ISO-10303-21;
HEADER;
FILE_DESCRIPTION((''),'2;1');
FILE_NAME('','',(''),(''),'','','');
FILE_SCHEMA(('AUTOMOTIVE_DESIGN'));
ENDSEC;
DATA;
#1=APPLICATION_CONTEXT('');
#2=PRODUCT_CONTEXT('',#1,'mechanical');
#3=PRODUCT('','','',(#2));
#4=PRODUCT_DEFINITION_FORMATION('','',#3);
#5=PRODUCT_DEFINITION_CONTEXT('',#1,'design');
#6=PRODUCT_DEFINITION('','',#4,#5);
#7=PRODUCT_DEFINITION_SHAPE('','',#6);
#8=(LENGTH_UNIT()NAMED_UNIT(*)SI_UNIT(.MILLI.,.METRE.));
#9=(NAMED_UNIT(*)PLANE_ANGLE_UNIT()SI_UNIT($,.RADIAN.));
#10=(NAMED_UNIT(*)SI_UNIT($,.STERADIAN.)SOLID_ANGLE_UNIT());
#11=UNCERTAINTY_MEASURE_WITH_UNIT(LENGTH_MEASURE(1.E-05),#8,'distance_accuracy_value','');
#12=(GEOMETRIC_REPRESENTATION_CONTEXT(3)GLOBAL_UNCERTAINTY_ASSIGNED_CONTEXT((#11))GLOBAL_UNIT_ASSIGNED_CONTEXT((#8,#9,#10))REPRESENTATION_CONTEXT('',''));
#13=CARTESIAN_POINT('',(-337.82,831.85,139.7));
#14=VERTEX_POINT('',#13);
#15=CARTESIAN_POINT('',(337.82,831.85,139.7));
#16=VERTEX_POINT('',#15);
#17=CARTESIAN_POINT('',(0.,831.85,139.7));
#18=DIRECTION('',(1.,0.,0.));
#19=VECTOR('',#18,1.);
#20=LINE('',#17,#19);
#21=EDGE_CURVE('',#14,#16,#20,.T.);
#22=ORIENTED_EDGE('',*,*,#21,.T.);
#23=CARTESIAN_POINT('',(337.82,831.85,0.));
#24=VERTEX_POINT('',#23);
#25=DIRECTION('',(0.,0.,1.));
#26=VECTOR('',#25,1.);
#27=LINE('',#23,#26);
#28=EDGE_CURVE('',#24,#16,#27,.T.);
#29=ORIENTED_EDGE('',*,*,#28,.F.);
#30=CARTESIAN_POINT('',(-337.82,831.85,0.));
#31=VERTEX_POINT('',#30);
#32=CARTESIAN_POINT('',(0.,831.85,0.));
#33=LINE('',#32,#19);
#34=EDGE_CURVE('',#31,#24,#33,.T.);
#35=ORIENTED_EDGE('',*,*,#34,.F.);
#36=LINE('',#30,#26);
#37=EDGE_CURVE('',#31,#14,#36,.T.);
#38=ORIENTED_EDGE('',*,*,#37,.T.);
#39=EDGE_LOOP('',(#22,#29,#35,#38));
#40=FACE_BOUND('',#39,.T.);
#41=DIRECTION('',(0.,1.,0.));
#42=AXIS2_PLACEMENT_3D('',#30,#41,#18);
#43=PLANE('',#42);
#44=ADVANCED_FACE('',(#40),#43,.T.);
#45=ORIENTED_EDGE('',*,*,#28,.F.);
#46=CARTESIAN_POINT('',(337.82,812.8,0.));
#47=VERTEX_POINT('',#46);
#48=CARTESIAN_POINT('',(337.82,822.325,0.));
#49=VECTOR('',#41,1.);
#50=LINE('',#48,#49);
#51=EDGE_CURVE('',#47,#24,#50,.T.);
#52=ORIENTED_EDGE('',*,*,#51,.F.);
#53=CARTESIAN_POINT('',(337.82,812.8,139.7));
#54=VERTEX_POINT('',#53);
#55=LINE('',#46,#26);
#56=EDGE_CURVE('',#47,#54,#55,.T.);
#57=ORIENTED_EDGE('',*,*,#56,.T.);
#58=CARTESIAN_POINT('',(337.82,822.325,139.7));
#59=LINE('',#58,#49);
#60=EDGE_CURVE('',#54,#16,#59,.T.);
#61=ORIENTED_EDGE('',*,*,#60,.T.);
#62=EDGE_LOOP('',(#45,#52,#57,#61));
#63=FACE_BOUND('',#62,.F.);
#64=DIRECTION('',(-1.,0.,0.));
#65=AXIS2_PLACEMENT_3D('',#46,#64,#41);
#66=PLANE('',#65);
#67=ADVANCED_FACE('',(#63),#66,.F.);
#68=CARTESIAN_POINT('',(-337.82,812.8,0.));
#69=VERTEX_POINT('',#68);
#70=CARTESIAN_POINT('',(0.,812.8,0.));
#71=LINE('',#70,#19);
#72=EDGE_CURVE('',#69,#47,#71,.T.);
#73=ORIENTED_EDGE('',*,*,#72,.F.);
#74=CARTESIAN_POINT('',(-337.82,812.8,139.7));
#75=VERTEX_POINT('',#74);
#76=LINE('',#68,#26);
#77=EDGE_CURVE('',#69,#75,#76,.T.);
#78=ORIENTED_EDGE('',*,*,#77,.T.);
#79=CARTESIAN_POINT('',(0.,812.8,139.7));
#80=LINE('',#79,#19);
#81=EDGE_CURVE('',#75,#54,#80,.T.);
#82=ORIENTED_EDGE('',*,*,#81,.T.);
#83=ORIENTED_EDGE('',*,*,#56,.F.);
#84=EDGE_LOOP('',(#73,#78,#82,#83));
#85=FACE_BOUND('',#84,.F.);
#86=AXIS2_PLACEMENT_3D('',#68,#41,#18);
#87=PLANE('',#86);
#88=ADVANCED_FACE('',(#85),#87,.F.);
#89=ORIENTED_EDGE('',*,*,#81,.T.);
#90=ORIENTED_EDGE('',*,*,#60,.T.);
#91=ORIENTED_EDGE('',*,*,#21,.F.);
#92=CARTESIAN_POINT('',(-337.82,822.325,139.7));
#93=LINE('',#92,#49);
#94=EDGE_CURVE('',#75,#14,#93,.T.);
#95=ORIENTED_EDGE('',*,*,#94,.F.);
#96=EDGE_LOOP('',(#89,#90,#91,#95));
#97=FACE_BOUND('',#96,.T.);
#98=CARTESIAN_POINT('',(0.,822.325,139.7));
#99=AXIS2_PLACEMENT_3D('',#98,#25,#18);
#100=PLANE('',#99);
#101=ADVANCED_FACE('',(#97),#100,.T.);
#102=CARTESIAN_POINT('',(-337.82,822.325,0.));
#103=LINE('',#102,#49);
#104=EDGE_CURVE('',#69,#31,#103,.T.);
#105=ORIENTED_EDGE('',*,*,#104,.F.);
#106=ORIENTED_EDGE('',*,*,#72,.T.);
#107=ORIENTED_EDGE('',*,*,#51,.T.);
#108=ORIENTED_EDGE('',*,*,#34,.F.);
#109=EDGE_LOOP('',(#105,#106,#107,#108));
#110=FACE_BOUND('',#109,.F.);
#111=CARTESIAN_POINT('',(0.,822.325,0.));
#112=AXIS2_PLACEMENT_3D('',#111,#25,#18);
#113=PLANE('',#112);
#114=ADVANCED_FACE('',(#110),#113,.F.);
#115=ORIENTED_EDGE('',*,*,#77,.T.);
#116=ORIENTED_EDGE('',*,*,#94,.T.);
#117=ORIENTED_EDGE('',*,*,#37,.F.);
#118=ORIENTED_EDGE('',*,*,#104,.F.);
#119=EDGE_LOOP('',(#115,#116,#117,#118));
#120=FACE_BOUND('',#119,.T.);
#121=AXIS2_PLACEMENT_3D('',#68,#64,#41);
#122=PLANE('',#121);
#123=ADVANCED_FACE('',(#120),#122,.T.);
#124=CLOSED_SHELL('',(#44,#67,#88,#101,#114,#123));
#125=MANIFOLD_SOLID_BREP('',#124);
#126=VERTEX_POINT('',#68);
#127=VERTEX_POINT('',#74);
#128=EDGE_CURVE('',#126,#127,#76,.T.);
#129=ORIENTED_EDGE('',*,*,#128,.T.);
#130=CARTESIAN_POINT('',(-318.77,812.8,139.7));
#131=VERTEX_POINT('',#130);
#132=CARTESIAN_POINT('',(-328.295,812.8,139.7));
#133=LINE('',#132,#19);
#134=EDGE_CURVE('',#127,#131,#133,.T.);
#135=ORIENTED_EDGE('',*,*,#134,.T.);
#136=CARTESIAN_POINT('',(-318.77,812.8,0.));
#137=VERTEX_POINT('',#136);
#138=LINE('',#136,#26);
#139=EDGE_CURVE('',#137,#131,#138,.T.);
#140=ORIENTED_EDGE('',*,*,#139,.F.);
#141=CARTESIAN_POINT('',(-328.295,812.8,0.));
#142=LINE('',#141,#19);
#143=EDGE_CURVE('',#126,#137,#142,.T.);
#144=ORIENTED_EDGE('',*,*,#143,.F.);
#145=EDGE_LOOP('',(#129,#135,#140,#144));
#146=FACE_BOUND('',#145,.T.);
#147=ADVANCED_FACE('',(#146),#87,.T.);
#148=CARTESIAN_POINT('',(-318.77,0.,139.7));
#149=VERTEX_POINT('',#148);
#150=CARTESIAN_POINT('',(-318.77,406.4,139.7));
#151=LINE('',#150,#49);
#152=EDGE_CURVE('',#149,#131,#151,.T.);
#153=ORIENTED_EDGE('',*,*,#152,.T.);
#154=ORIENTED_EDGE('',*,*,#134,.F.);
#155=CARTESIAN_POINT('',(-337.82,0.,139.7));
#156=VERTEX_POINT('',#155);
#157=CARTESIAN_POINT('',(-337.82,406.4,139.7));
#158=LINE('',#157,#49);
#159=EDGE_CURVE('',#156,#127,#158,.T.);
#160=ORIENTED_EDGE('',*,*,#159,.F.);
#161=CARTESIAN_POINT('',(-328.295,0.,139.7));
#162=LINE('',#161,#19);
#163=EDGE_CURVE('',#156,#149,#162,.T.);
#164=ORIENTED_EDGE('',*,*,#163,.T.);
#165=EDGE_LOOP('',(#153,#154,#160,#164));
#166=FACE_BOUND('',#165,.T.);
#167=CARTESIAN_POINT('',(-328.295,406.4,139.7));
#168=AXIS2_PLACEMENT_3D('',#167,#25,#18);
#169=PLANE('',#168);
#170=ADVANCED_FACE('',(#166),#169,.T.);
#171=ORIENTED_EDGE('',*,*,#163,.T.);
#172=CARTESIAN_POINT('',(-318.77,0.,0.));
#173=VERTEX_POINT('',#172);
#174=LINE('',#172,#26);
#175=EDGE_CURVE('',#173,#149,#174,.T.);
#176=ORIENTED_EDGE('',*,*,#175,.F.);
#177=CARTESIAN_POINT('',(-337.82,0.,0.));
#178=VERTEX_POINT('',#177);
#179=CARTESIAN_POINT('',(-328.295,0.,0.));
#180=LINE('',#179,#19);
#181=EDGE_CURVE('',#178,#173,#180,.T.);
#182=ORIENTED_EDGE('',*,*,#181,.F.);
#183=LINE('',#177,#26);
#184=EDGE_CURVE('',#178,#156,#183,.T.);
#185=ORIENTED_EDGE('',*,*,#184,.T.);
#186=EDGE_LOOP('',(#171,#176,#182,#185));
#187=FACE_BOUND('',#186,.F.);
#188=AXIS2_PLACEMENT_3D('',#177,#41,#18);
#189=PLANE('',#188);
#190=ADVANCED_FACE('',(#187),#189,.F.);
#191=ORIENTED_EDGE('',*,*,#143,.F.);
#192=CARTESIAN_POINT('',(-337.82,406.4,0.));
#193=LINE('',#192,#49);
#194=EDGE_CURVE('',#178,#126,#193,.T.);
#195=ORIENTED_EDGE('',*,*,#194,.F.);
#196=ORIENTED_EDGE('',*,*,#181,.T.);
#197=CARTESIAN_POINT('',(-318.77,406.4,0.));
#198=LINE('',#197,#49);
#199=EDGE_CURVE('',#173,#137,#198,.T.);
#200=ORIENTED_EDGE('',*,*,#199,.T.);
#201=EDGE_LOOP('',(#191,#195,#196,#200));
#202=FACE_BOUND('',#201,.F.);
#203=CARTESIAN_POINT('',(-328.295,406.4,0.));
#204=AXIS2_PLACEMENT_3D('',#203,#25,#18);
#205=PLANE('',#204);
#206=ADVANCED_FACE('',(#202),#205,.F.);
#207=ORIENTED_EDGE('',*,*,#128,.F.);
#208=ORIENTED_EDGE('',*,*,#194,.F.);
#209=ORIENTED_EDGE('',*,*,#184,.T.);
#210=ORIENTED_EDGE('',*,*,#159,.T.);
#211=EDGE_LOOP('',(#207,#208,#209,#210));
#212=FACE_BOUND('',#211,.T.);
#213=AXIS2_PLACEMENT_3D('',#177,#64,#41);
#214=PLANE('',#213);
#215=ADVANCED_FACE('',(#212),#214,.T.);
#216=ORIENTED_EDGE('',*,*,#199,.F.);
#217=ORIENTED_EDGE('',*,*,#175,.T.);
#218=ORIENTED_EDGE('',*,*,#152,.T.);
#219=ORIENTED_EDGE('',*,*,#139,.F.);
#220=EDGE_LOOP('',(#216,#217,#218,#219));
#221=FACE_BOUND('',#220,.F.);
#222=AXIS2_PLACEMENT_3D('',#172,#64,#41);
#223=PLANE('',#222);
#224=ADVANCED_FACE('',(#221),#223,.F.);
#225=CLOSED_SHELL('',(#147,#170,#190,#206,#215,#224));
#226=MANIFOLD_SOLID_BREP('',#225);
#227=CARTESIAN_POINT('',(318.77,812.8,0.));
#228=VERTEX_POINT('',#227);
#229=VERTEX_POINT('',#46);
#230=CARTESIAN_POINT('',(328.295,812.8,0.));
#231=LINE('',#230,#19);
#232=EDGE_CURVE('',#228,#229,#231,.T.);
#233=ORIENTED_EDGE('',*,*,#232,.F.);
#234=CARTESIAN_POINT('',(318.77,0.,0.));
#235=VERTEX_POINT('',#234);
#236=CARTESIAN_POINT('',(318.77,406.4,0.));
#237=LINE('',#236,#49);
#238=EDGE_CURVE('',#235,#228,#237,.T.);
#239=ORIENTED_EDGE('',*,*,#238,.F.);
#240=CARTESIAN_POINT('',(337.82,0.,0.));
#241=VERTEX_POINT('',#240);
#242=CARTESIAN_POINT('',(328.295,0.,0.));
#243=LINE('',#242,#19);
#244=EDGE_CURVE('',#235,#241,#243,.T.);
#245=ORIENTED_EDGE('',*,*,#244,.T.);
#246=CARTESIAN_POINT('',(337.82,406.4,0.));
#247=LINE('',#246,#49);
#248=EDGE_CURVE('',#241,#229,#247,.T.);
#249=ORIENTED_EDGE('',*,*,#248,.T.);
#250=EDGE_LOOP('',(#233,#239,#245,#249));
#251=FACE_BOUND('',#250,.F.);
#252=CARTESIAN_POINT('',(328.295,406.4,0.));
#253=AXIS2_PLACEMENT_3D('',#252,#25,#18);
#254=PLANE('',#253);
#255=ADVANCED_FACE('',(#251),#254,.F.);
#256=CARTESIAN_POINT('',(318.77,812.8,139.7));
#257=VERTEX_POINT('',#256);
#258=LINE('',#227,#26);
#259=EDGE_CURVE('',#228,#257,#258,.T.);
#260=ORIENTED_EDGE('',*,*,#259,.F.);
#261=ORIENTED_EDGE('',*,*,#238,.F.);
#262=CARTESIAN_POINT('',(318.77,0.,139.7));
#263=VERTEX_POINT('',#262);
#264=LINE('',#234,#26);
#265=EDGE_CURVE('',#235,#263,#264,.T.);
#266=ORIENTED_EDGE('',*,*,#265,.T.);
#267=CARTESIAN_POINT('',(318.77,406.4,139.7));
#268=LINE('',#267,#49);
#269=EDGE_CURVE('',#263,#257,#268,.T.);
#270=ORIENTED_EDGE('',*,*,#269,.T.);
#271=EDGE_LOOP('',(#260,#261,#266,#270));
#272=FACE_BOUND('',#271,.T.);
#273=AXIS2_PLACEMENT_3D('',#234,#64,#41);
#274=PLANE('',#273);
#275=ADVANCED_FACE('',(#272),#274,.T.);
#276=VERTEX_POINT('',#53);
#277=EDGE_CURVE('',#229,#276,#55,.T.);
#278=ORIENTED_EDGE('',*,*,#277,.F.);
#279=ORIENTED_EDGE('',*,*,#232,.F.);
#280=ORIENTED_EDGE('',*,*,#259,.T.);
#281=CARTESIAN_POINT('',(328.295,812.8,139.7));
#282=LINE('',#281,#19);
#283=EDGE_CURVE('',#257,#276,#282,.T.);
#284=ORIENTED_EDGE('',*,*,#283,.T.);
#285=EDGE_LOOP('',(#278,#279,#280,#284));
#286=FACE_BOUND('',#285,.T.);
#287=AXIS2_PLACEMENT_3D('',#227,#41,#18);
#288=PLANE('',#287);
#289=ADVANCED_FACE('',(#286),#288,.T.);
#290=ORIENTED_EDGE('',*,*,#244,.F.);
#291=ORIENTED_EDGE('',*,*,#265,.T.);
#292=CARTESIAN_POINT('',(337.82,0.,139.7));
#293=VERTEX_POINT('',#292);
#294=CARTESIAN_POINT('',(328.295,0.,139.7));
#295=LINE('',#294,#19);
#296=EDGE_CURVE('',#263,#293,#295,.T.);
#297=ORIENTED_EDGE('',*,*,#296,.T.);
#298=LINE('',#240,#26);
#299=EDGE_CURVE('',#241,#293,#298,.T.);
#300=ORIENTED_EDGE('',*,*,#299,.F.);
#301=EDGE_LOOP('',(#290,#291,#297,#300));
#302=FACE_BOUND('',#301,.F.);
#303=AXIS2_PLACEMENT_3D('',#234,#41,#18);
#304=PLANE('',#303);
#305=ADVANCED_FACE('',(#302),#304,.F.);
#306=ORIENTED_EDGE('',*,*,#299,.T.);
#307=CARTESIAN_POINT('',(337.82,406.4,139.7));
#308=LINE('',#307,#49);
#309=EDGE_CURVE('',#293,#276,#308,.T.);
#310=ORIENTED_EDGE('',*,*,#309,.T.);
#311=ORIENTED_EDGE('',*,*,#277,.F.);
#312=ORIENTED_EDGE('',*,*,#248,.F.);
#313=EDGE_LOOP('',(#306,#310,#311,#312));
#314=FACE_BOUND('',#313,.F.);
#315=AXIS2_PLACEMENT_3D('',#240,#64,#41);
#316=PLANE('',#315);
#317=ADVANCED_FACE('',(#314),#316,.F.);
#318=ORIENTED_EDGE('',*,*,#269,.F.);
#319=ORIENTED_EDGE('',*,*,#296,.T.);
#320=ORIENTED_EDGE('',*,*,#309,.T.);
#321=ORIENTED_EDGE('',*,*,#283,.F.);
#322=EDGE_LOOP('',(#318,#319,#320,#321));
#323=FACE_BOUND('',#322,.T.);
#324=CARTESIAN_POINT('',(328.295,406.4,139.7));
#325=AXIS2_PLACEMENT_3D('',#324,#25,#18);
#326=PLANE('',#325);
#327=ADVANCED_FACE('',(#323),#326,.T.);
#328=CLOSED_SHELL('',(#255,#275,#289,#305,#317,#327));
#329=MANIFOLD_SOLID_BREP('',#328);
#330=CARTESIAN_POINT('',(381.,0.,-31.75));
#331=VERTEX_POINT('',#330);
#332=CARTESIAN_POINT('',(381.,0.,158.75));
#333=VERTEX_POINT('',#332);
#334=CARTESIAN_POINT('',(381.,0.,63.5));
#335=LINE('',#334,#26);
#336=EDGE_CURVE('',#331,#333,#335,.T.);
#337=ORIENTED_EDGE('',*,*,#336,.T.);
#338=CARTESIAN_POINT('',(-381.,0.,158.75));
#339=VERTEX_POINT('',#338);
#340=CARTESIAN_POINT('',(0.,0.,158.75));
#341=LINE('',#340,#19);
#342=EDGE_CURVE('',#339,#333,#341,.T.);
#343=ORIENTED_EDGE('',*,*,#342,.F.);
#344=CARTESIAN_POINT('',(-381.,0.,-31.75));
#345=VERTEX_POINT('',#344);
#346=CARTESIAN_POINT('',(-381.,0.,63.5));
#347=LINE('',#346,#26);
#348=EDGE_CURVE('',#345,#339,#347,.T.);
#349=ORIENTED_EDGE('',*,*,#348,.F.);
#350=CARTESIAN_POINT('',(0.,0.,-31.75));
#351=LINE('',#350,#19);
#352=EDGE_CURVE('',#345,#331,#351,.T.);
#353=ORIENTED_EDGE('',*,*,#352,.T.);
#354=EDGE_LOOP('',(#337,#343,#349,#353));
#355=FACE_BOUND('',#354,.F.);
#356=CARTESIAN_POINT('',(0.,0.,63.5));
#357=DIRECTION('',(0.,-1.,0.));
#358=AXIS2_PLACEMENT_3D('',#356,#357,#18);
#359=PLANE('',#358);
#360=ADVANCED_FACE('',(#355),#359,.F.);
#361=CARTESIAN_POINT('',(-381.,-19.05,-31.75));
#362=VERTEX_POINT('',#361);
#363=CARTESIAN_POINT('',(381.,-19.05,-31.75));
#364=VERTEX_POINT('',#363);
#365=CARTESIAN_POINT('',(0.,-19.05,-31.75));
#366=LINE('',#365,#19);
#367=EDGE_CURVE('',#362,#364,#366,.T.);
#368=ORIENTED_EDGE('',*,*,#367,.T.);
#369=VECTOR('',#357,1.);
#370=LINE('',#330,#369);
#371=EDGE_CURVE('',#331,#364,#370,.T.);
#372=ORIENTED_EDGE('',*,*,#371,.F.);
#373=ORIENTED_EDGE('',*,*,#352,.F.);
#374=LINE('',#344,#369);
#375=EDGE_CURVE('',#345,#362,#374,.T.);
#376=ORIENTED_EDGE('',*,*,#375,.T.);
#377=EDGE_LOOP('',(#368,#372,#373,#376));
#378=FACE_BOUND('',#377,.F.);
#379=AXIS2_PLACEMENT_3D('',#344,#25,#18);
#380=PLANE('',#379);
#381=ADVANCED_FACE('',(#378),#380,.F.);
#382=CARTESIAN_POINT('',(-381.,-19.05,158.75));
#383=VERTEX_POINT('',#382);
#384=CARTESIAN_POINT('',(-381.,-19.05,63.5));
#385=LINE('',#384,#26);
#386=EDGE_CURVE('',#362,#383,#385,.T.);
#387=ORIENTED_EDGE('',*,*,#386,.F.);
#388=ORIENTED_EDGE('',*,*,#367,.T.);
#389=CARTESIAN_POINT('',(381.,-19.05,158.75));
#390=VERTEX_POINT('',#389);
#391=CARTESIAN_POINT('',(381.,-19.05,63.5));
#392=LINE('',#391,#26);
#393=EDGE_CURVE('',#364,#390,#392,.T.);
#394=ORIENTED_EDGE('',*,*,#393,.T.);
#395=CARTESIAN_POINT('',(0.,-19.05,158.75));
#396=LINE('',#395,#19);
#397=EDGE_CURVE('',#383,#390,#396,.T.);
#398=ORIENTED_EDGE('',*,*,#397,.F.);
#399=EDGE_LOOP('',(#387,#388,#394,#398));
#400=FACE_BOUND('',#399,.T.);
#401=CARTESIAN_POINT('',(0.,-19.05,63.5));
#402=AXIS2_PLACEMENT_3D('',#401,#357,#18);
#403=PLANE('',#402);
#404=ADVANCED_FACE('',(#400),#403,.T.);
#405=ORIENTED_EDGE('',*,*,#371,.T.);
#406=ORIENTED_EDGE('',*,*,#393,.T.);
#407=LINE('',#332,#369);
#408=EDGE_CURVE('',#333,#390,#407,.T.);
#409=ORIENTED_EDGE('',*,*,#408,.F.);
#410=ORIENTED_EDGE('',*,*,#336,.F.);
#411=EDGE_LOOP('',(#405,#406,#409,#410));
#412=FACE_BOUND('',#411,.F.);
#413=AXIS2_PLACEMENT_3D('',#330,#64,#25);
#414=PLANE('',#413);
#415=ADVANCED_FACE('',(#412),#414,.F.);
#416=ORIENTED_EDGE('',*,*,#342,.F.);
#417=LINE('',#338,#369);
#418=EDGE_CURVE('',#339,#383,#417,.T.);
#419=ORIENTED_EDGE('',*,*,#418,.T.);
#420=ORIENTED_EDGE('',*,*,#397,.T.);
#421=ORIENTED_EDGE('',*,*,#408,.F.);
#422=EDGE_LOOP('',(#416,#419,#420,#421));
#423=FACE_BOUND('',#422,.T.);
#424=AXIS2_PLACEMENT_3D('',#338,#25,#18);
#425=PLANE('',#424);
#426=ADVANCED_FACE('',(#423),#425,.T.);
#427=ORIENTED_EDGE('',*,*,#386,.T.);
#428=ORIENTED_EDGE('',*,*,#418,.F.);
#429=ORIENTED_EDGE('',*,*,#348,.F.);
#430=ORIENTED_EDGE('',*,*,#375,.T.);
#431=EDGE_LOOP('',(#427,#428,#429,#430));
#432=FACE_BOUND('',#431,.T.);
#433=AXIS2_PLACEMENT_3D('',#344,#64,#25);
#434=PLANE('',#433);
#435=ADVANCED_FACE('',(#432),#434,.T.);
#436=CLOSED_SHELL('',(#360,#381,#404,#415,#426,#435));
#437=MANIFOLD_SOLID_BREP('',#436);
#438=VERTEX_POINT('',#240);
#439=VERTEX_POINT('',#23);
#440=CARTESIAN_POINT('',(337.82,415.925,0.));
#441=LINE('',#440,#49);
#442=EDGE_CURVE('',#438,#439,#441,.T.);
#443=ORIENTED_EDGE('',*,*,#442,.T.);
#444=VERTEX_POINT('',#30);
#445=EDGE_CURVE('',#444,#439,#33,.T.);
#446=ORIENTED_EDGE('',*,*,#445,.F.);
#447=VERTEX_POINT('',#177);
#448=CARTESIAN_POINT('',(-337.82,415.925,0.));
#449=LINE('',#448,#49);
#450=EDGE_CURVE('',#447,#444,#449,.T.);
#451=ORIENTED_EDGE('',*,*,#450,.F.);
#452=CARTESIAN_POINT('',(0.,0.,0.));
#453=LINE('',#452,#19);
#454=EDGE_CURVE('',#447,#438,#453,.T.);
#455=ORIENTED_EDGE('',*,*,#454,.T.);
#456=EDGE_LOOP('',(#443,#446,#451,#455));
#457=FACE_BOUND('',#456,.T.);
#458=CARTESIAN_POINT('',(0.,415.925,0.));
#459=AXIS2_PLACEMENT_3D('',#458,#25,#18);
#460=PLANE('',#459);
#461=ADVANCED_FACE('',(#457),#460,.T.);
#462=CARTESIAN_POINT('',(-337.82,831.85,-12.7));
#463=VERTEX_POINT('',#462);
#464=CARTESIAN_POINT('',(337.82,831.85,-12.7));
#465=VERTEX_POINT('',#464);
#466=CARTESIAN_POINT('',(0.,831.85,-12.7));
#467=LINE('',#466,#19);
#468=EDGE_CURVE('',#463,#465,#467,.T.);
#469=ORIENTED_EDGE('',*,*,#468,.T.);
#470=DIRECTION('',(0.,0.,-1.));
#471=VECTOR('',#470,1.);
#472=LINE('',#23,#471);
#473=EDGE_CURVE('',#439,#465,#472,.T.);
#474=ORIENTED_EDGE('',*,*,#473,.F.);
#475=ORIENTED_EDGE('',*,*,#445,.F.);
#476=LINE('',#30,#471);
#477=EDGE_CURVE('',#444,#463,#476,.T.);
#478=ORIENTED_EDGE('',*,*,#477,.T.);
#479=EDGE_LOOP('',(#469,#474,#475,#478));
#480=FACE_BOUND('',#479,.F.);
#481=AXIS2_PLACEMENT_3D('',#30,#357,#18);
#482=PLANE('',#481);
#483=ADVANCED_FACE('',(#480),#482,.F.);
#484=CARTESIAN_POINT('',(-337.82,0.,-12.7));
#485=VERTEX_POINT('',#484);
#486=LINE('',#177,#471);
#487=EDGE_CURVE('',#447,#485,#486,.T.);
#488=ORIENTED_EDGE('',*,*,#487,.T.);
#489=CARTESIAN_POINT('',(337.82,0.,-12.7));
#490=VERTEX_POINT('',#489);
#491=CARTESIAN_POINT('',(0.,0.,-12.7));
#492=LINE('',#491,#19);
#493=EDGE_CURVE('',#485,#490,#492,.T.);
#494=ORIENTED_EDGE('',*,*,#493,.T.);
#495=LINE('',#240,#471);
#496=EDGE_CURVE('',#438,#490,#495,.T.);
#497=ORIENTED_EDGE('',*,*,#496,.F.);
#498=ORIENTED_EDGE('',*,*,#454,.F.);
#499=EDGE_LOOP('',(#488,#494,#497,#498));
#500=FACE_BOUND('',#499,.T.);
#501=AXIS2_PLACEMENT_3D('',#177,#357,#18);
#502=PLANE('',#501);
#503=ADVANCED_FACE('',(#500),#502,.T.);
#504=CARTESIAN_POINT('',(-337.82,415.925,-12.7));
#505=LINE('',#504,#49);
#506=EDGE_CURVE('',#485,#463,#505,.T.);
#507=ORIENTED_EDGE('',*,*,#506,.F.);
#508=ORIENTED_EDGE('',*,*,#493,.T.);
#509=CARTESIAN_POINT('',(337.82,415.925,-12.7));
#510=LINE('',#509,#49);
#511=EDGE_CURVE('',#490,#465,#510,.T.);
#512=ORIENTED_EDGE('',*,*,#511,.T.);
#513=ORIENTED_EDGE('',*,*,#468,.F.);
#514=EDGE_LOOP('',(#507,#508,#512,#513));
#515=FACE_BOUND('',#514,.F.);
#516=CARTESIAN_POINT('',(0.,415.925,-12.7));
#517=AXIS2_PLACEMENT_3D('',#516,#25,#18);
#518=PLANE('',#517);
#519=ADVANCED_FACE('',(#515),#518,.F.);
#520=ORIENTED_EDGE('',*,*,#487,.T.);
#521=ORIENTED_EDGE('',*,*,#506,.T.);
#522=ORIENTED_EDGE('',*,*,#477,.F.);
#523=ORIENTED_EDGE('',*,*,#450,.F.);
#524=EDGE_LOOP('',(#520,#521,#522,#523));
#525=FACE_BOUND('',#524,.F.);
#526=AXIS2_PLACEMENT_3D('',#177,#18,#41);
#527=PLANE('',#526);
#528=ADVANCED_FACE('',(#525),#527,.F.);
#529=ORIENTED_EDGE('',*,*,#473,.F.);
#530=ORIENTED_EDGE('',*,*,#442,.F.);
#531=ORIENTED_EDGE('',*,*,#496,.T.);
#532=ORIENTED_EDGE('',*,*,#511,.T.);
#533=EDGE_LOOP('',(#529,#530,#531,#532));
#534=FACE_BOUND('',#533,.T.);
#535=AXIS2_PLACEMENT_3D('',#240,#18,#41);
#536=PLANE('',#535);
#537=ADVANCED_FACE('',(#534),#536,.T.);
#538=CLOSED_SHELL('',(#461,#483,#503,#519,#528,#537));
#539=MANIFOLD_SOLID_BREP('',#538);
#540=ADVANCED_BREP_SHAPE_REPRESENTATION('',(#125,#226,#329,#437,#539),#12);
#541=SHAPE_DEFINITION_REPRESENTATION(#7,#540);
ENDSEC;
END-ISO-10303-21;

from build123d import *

# Parameters (mm, degrees)
F0_W     = 19.05
F0_H     = 812.8
F1_DEPTH = 139.7
F2_W     = 675.64
F2_H     = 19.05
F3_DEPTH = 139.7
F4_W     = 675.64
F4_H     = 831.85
F5_DEPTH = 12.7
F6_W     = 762
F6_H     = 190.5
F7_DEPTH = 19.05


with BuildPart() as f1:
    # F0 (on Top) → F1 (new body)
    with BuildSketch(Plane.XY):
        with Locations((328.295, 406.4)):
            Rectangle(F0_W, F0_H)
    extrude(amount=F1_DEPTH)


with BuildPart() as f1b:
    # F0 (on Top) → F1, piece 2 (new body)
    with BuildSketch(Plane.XY):
        with Locations((-328.295, 406.4)):
            Rectangle(F0_W, F0_H)
    extrude(amount=F1_DEPTH)


with BuildPart() as f3:
    # F2 (on Top) → F3 (new body)
    with BuildSketch(Plane.XY):
        with Locations((0, 822.325)):
            Rectangle(F2_W, F2_H)
    extrude(amount=F3_DEPTH)


with BuildPart() as f5:
    # F4 (on Top) → F5 (new body)
    with BuildSketch(Plane.XY):
        with Locations((0, 415.925)):
            Rectangle(F4_W, F4_H)
    extrude(amount=-F5_DEPTH)


with BuildPart() as f7:
    # F6 (on Front) → F7 (new body)
    with BuildSketch(Plane.XZ):
        with Locations((0, 63.5)):
            Rectangle(F6_W, F6_H)
    extrude(amount=F7_DEPTH)


solid = Compound([f1.part, f1b.part, f3.part, f5.part, f7.part])
